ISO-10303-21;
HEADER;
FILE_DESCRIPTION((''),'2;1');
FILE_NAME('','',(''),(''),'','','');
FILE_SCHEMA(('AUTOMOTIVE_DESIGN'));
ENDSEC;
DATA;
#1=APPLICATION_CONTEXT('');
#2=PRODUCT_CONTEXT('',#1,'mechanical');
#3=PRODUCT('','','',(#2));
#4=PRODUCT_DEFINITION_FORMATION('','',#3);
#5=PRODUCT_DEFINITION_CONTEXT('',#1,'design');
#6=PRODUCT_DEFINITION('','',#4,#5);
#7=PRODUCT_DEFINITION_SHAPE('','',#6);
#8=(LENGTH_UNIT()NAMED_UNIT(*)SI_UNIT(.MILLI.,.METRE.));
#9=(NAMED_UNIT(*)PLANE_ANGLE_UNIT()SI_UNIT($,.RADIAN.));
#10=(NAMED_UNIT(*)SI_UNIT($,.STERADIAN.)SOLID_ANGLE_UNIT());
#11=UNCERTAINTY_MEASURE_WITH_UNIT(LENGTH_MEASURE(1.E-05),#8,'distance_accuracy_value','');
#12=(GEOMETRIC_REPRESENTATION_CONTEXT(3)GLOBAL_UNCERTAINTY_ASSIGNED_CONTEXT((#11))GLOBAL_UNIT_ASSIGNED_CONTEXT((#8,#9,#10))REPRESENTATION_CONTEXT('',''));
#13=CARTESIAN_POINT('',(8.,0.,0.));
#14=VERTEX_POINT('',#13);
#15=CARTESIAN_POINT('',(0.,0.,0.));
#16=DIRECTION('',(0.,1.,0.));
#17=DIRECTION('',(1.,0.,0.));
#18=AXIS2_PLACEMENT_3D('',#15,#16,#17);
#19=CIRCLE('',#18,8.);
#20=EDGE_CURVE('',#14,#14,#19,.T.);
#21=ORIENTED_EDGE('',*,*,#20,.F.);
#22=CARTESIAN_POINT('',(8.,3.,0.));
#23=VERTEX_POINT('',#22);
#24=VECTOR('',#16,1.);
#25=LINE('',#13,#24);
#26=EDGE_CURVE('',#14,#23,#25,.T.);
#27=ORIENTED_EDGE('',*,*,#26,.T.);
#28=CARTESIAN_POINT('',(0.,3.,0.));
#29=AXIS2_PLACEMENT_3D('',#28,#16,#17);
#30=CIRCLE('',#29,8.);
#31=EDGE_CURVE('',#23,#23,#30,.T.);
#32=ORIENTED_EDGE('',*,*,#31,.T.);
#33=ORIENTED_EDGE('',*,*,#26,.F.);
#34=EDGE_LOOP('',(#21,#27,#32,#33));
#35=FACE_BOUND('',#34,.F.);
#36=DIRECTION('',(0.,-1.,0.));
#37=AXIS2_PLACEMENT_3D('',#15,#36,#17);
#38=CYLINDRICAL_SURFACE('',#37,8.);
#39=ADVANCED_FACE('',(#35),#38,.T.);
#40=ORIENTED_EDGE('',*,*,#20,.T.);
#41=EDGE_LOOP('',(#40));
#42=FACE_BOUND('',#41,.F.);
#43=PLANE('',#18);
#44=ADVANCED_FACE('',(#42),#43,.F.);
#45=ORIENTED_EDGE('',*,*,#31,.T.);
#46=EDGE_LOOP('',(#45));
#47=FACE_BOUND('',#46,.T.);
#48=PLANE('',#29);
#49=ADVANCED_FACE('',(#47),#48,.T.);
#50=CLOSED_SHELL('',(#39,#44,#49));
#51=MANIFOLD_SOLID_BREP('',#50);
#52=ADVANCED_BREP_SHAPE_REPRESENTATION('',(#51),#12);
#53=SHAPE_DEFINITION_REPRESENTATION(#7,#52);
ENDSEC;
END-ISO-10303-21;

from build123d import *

# Parameters (mm, degrees)
SKETCH1_R           = 8
BOSS_EXTRUDE1_DEPTH = 3


with BuildPart() as part:
    # Sketch1 → Boss-Extrude1 (new body)
    with BuildSketch(Plane(origin=(0, 0, 0), x_dir=(1, 0, 0), z_dir=(0, 1, 0))):
        Circle(SKETCH1_R)
    extrude(amount=BOSS_EXTRUDE1_DEPTH)


solid = part.part
